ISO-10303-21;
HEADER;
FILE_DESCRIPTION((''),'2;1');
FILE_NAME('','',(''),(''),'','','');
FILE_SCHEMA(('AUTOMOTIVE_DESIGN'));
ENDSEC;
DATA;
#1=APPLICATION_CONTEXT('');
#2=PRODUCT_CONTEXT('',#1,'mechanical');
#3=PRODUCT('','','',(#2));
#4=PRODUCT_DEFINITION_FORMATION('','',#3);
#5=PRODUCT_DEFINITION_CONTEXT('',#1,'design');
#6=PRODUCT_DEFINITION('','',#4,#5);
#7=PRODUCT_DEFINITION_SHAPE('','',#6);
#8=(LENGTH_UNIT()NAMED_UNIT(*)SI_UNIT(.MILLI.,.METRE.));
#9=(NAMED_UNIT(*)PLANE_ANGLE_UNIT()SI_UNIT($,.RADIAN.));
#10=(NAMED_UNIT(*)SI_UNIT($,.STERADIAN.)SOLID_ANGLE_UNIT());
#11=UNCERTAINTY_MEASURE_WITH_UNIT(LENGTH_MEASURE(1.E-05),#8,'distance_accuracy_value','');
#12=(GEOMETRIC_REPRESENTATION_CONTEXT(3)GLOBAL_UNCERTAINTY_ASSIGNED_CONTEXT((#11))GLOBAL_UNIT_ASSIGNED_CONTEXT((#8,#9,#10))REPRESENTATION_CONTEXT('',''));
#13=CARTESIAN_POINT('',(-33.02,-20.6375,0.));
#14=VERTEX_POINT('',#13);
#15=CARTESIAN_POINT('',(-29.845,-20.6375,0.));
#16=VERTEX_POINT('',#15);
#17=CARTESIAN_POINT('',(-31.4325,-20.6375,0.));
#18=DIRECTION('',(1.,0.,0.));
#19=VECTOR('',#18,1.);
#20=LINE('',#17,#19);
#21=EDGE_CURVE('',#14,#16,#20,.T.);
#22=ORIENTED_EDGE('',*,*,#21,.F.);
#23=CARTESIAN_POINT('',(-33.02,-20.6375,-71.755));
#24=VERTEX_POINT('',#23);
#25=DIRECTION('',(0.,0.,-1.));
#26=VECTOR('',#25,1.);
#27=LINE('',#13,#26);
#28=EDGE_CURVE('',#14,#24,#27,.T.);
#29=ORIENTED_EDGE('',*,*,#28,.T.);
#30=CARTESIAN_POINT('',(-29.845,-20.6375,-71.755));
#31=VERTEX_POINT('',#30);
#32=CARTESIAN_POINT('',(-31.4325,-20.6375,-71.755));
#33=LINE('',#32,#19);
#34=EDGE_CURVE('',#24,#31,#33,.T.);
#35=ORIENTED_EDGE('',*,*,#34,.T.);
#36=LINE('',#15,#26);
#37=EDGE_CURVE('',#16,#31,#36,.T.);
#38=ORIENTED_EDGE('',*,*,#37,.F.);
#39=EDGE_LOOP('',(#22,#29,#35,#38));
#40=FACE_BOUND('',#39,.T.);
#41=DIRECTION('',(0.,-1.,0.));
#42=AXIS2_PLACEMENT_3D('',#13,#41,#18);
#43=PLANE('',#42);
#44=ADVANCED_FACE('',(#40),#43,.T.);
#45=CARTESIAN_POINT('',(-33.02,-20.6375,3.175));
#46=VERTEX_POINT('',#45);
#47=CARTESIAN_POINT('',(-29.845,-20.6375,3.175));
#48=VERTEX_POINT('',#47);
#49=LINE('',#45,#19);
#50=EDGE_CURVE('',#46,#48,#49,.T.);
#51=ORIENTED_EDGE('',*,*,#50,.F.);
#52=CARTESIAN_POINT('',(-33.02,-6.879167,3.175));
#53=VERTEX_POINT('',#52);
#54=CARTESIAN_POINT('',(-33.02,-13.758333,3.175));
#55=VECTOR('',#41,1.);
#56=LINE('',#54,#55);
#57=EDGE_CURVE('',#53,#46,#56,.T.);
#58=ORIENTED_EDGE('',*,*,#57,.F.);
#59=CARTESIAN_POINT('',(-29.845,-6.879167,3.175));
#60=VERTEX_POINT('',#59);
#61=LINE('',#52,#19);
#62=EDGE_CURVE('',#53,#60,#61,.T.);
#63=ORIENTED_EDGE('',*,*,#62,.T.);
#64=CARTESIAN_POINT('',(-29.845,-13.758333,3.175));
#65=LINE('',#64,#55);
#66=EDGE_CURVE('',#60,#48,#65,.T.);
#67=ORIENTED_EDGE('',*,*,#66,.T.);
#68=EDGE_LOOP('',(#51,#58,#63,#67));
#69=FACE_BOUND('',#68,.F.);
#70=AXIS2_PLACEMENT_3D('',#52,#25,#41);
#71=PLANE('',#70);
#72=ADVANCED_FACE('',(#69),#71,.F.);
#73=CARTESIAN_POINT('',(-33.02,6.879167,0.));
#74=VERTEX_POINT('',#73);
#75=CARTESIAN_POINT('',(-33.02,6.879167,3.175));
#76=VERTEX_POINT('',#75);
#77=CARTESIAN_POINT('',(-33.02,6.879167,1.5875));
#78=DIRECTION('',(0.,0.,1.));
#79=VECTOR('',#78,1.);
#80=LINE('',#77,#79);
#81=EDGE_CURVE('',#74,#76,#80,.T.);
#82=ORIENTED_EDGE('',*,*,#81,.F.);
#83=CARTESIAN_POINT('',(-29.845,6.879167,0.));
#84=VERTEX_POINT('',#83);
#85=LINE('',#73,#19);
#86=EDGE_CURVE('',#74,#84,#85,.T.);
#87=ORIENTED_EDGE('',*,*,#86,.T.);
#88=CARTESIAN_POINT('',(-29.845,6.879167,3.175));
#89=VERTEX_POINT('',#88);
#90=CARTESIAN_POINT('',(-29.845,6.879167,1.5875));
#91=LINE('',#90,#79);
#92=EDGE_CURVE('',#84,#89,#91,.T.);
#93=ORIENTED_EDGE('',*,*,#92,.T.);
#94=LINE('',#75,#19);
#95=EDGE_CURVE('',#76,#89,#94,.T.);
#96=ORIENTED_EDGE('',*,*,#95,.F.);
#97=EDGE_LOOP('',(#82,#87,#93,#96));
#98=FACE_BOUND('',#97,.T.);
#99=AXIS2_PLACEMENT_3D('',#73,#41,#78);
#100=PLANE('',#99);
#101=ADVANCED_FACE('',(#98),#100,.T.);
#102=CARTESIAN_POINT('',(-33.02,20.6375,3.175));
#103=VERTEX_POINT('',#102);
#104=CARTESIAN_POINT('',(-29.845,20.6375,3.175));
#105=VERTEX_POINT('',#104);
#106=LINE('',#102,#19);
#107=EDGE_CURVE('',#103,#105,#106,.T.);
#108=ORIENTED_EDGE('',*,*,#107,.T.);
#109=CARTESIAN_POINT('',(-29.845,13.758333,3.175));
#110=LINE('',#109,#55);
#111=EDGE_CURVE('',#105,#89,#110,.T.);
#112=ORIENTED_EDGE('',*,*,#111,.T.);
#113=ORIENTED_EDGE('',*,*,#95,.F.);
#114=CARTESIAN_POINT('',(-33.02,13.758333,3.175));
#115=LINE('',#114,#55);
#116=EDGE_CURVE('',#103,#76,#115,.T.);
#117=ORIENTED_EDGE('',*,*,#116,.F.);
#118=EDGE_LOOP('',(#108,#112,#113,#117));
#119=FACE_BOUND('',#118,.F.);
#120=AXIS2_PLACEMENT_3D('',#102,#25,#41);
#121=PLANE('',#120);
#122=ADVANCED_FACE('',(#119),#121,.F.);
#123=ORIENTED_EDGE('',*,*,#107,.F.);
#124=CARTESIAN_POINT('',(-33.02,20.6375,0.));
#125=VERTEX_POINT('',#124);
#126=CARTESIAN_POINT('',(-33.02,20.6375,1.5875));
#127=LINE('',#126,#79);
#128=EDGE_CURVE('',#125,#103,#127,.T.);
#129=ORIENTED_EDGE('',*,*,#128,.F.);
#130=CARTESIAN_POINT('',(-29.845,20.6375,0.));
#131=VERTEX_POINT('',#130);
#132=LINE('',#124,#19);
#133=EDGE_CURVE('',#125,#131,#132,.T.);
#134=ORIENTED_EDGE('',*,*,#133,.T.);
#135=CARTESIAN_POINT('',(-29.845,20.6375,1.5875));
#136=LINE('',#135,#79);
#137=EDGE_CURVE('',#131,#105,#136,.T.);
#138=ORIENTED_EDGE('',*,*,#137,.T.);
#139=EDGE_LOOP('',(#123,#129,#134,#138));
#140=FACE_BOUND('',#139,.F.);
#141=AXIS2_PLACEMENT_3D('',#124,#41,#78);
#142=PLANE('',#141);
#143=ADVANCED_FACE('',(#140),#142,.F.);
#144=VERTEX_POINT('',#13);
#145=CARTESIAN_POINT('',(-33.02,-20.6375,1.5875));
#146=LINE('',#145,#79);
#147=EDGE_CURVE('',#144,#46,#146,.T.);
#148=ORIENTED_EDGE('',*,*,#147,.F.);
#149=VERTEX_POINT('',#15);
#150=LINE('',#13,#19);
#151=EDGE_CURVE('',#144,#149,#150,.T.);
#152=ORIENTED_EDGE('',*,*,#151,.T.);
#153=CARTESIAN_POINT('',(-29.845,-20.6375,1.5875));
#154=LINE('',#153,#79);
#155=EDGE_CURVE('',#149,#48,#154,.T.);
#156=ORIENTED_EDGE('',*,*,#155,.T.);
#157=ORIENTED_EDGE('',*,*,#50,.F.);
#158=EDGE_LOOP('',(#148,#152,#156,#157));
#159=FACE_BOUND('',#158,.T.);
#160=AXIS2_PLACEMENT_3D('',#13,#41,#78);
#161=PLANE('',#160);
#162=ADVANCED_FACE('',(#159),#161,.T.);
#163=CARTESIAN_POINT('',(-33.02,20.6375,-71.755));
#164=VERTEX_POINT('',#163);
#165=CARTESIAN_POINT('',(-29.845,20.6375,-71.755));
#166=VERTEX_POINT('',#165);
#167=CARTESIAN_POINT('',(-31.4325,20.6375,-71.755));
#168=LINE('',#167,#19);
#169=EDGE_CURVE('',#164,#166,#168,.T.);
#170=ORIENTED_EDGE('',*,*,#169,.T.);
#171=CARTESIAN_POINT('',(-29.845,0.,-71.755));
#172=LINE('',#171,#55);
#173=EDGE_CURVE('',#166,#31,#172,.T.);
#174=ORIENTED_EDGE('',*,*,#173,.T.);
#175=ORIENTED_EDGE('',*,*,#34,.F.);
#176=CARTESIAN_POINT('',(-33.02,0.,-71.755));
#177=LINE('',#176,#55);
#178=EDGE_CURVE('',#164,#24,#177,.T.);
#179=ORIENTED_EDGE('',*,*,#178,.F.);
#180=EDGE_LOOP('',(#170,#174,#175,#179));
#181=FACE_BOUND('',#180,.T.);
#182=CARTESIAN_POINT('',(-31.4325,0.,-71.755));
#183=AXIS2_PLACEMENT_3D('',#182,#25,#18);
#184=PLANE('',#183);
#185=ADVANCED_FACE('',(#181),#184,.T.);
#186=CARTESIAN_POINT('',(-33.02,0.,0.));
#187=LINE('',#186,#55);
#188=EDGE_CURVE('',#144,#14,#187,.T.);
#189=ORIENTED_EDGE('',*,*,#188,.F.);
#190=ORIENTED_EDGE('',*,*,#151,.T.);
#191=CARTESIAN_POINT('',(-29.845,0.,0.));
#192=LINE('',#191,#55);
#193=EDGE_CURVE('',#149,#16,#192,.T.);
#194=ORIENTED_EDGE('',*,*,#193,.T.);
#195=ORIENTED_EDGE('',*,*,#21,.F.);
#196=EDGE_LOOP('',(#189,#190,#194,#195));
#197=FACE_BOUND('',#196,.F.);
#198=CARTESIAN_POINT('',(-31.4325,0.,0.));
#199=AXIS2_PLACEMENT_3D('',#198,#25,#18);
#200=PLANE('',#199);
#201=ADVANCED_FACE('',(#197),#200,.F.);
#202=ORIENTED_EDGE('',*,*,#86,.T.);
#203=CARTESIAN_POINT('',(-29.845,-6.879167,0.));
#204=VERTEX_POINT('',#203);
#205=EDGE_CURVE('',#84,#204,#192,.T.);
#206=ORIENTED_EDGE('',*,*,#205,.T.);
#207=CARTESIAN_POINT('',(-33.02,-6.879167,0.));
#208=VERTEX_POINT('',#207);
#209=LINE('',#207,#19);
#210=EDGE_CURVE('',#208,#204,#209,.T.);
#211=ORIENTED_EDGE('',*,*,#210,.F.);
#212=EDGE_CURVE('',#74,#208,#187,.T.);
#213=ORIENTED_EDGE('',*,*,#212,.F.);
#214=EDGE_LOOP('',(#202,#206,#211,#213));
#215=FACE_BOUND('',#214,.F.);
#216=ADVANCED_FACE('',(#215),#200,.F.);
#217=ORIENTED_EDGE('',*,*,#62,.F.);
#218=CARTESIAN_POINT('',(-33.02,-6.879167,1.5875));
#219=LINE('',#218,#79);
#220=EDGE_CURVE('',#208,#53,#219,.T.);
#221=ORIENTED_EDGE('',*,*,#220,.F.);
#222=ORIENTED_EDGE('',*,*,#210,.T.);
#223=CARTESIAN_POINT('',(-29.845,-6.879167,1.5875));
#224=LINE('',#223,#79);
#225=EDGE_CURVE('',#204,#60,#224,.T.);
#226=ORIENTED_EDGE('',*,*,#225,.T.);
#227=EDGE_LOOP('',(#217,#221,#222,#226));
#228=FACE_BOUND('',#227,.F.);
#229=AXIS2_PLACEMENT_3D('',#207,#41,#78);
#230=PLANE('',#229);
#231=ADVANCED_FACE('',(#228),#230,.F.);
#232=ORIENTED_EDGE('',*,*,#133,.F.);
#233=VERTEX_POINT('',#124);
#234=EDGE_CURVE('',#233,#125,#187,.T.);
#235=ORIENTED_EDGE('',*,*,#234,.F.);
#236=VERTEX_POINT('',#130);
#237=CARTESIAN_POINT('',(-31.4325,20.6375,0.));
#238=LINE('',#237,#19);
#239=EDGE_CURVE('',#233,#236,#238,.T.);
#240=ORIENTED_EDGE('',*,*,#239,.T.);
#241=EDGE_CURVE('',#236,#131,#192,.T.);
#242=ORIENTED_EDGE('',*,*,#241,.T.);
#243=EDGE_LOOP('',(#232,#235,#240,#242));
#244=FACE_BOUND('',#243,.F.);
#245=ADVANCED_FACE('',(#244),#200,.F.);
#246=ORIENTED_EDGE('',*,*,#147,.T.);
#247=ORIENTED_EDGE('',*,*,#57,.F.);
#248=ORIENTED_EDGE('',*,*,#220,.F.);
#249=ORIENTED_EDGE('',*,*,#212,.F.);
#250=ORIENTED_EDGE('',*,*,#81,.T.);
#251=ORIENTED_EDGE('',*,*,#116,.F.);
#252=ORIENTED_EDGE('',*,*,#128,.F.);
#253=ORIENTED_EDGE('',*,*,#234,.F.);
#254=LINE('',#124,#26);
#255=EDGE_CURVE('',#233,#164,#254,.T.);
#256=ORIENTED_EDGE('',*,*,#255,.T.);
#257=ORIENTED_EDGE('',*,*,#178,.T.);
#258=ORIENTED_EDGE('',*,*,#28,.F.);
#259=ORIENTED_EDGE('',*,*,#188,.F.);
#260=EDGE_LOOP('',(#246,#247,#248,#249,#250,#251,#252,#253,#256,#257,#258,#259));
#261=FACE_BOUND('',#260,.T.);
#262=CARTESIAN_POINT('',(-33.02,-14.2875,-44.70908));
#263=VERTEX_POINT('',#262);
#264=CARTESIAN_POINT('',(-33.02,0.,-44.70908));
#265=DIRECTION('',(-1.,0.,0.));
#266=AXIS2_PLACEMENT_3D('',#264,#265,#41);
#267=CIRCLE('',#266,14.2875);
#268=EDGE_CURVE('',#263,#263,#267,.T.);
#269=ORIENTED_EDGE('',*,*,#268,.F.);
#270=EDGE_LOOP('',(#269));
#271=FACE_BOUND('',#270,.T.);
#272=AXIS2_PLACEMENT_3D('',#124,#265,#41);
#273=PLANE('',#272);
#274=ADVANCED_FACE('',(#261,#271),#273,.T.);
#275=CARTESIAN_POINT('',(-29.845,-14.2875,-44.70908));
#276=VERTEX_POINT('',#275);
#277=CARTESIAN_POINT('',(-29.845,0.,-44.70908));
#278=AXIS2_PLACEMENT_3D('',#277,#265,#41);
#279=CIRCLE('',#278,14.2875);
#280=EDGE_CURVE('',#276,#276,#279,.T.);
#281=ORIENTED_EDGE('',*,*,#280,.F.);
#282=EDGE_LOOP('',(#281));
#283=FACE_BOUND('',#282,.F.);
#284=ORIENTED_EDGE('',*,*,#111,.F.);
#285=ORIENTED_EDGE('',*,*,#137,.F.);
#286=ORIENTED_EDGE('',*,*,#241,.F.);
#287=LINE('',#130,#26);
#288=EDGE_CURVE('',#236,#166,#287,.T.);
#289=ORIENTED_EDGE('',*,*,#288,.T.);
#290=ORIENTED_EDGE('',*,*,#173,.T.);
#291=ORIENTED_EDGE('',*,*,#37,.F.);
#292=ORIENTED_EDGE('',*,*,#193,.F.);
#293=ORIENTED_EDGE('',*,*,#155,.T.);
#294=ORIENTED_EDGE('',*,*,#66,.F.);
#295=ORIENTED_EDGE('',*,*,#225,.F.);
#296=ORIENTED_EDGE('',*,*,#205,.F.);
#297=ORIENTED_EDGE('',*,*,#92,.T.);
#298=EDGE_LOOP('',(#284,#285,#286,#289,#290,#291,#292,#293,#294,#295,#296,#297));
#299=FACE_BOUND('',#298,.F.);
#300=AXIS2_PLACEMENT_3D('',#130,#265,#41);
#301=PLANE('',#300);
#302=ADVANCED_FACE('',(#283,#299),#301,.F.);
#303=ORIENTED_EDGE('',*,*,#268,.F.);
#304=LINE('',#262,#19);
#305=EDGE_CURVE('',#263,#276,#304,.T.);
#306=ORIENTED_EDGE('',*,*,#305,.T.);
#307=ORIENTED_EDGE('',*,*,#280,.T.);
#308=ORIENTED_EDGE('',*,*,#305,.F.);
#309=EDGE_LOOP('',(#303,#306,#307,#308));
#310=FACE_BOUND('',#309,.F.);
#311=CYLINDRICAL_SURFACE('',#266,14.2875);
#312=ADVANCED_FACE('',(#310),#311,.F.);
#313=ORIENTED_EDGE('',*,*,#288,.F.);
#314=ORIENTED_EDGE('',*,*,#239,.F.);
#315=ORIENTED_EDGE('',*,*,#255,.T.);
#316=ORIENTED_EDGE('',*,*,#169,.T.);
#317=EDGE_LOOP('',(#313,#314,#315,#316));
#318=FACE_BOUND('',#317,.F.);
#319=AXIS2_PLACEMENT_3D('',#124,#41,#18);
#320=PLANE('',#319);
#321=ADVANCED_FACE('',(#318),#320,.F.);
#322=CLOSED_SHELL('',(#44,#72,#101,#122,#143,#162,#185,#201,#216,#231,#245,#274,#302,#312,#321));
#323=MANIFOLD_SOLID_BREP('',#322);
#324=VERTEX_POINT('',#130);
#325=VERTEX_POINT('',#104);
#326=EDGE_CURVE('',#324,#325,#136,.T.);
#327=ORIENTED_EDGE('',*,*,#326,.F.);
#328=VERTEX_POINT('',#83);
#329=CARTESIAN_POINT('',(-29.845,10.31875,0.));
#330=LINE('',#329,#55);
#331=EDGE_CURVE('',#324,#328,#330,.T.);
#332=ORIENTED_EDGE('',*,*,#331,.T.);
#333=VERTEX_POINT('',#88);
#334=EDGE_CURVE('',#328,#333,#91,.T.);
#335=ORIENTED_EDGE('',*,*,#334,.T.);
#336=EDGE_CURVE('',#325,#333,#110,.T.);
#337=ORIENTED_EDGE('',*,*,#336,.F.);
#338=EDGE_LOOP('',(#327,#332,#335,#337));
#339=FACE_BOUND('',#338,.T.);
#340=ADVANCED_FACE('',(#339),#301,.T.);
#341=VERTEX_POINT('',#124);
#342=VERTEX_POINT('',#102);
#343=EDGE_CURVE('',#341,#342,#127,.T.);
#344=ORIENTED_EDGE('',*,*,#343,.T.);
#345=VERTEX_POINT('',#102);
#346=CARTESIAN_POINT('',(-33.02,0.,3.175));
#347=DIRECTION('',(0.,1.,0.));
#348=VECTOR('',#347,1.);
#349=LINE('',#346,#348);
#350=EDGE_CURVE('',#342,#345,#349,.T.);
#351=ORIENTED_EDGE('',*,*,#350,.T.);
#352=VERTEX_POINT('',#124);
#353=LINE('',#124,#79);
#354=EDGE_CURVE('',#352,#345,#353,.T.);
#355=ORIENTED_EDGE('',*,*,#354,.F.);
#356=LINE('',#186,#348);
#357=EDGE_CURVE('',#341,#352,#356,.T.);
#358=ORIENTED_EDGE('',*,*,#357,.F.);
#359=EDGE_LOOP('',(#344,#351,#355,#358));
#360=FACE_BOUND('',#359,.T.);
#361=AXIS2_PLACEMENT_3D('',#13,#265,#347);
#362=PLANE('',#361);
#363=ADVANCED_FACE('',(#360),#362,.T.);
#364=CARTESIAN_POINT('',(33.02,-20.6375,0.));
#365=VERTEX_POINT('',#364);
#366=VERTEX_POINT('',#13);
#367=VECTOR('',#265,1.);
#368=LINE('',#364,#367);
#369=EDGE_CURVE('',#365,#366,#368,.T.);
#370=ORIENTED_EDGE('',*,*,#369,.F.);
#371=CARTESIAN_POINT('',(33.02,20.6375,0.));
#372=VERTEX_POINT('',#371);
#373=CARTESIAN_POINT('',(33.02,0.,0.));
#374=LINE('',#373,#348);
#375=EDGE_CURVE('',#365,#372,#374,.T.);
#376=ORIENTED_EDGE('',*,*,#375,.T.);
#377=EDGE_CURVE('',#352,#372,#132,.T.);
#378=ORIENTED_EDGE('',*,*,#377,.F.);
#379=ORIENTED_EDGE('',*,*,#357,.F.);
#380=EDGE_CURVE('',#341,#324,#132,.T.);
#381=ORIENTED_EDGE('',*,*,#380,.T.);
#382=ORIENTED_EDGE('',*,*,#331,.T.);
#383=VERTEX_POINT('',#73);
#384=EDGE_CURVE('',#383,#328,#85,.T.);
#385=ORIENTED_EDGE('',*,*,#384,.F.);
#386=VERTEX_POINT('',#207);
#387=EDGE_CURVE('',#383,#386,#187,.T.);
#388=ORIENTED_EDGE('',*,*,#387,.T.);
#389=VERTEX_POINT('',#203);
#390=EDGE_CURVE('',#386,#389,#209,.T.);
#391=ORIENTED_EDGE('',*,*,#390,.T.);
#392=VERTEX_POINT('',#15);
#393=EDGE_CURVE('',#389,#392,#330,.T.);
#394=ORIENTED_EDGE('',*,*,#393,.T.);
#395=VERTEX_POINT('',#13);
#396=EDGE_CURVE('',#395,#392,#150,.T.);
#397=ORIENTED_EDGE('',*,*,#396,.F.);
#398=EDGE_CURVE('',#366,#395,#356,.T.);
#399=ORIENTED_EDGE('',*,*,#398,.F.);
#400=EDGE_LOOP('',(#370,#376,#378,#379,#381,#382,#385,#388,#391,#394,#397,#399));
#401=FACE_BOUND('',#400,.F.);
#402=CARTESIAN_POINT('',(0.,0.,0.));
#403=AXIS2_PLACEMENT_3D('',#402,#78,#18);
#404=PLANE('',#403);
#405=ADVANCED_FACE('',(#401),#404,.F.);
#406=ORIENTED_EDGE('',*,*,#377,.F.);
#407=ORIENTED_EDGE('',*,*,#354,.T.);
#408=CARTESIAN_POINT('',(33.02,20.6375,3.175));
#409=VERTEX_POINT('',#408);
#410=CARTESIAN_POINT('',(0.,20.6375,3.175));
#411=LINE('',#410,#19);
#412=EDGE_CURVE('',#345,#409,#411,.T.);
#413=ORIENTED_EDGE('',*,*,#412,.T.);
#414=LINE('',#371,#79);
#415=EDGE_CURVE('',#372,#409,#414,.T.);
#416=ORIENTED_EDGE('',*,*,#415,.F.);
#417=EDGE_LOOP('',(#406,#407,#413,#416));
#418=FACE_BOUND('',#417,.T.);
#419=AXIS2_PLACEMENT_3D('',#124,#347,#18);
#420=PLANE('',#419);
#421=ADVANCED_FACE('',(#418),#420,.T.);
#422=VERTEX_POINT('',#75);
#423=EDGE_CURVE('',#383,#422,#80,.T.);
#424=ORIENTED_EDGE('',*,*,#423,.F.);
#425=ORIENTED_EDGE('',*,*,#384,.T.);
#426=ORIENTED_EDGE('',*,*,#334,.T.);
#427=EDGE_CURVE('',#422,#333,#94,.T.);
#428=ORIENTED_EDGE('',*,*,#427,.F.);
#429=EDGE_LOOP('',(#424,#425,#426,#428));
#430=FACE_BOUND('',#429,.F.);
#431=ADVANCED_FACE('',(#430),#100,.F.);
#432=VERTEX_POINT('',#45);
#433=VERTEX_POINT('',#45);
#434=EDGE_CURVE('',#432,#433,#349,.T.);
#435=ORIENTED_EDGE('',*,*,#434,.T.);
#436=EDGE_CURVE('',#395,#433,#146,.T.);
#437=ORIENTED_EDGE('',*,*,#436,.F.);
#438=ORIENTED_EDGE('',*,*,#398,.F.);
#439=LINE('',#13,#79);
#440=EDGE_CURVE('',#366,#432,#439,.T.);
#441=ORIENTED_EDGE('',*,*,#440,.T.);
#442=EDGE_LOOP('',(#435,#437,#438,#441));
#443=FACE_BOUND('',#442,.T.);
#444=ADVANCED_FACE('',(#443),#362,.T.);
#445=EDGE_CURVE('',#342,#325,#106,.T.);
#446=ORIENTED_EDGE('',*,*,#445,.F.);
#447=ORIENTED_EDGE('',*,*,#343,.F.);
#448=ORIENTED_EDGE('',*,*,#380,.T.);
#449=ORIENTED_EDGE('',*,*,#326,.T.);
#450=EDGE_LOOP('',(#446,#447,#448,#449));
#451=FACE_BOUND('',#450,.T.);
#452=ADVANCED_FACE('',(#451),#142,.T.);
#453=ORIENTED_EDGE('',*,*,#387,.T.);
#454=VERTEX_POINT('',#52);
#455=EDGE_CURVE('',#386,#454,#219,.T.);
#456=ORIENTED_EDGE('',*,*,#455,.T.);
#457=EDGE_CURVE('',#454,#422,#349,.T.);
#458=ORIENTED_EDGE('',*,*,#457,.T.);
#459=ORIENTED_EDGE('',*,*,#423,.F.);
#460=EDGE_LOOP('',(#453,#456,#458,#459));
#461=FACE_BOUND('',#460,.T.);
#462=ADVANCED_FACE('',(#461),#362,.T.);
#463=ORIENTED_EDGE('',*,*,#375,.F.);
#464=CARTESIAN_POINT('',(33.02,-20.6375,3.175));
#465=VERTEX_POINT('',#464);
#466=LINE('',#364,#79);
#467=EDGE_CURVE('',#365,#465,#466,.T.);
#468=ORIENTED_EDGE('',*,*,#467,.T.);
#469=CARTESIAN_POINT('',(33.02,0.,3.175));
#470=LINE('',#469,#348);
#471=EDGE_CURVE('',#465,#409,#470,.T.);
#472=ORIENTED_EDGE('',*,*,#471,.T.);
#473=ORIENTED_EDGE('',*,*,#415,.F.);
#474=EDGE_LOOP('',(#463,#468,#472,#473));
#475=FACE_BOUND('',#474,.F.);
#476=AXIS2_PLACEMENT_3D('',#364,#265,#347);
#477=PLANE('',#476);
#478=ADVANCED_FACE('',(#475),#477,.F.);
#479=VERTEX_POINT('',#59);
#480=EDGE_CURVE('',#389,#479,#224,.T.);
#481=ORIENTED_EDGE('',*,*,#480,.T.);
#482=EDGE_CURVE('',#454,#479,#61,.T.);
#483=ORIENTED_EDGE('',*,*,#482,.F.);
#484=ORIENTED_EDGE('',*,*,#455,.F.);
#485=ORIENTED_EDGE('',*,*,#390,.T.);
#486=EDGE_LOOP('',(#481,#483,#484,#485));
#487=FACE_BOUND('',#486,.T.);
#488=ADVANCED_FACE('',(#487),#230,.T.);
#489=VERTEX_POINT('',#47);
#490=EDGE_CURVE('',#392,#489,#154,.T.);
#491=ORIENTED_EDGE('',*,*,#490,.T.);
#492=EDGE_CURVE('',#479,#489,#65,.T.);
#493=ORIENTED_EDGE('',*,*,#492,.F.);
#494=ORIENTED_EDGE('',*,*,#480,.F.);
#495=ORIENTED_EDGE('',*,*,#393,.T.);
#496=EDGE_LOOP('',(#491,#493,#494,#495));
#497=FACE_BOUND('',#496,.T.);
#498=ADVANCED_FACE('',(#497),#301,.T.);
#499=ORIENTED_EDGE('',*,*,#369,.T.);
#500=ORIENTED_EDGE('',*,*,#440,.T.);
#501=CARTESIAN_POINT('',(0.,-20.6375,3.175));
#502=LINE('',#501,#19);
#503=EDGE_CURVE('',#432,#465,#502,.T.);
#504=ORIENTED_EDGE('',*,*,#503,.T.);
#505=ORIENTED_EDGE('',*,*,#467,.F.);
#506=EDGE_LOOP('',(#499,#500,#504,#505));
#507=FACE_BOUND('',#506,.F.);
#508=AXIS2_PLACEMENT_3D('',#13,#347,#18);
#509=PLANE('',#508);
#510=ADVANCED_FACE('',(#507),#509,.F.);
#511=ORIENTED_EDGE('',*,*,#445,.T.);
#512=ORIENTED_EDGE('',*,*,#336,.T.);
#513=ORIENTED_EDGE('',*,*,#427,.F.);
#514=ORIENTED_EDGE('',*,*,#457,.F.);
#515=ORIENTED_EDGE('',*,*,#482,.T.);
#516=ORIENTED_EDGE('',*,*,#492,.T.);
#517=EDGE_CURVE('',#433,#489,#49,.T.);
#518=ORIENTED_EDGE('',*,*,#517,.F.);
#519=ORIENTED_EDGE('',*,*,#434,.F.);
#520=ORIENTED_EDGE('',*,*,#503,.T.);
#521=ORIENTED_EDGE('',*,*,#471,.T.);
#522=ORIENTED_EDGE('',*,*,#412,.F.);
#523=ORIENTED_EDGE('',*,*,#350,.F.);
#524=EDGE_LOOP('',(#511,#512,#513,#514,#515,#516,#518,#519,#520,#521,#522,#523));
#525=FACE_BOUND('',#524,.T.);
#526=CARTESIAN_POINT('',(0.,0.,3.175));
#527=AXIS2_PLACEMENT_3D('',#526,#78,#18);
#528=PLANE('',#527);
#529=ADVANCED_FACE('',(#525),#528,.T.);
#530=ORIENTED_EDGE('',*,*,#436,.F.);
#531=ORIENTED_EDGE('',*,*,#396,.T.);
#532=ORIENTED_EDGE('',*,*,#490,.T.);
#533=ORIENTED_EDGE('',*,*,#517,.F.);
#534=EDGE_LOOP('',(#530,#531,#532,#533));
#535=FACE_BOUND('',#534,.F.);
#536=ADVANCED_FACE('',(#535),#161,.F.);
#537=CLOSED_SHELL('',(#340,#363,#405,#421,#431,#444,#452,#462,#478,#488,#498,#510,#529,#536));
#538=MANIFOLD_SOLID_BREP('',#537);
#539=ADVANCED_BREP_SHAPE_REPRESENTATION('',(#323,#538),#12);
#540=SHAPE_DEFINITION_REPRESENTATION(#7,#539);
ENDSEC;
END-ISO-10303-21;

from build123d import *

# Parameters (mm, degrees)
F0_W     = 66.04
F0_H     = 41.275
F1_DEPTH = 3.175
F2_W     = 3.175
F2_H     = 41.275
F3_DEPTH = 71.755
F4_W     = 13.758333
F4_H     = 3.175
F5_DEPTH = 3.175
F8_R     = 14.2875
F9_DEPTH = 66.041


with BuildPart() as f1:
    # F0 (on Top) → F1 (new body)
    with BuildSketch(Plane.XY):
        Rectangle(F0_W, F0_H)
    extrude(amount=F1_DEPTH)


with BuildPart() as f3:
    # F2 (on face) → F3 (new body)
    with BuildSketch(Plane(origin=(0, 0, 0), x_dir=(1, 0, 0), z_dir=(0, 0, -1))):
        with Locations((-31.4325, 0)):
            Rectangle(F2_W, F2_H)
    extrude(amount=F3_DEPTH)


with BuildPart() as f5:
    # F4 (on face) → F5 (new body)
    with BuildSketch(Plane(origin=(-33.02, 0, 0), x_dir=(0, -1, 0), z_dir=(-1, 0, 0))):
        with Locations((-13.758333, 1.5875)):
            Rectangle(F4_W, F4_H)
        with Locations((13.758333, 1.5875)):
            Rectangle(F4_W, F4_H)
    extrude(amount=-F5_DEPTH)

    # F7: union F3
    add(f3.part)

    # F8 (on face) → F9 (cut, through all)
    with BuildSketch(Plane(origin=(-33.02, 0, 0), x_dir=(0, -1, 0), z_dir=(-1, 0, 0))):
        with Locations((0, -44.70908)):
            Circle(F8_R)
    extrude(amount=-F9_DEPTH, mode=Mode.SUBTRACT)


with BuildPart() as f1_1:
    add(f1.part)

    # F6: cut F5
    add(f5.part, mode=Mode.SUBTRACT)


solid = Compound([f5.part, f1_1.part])
